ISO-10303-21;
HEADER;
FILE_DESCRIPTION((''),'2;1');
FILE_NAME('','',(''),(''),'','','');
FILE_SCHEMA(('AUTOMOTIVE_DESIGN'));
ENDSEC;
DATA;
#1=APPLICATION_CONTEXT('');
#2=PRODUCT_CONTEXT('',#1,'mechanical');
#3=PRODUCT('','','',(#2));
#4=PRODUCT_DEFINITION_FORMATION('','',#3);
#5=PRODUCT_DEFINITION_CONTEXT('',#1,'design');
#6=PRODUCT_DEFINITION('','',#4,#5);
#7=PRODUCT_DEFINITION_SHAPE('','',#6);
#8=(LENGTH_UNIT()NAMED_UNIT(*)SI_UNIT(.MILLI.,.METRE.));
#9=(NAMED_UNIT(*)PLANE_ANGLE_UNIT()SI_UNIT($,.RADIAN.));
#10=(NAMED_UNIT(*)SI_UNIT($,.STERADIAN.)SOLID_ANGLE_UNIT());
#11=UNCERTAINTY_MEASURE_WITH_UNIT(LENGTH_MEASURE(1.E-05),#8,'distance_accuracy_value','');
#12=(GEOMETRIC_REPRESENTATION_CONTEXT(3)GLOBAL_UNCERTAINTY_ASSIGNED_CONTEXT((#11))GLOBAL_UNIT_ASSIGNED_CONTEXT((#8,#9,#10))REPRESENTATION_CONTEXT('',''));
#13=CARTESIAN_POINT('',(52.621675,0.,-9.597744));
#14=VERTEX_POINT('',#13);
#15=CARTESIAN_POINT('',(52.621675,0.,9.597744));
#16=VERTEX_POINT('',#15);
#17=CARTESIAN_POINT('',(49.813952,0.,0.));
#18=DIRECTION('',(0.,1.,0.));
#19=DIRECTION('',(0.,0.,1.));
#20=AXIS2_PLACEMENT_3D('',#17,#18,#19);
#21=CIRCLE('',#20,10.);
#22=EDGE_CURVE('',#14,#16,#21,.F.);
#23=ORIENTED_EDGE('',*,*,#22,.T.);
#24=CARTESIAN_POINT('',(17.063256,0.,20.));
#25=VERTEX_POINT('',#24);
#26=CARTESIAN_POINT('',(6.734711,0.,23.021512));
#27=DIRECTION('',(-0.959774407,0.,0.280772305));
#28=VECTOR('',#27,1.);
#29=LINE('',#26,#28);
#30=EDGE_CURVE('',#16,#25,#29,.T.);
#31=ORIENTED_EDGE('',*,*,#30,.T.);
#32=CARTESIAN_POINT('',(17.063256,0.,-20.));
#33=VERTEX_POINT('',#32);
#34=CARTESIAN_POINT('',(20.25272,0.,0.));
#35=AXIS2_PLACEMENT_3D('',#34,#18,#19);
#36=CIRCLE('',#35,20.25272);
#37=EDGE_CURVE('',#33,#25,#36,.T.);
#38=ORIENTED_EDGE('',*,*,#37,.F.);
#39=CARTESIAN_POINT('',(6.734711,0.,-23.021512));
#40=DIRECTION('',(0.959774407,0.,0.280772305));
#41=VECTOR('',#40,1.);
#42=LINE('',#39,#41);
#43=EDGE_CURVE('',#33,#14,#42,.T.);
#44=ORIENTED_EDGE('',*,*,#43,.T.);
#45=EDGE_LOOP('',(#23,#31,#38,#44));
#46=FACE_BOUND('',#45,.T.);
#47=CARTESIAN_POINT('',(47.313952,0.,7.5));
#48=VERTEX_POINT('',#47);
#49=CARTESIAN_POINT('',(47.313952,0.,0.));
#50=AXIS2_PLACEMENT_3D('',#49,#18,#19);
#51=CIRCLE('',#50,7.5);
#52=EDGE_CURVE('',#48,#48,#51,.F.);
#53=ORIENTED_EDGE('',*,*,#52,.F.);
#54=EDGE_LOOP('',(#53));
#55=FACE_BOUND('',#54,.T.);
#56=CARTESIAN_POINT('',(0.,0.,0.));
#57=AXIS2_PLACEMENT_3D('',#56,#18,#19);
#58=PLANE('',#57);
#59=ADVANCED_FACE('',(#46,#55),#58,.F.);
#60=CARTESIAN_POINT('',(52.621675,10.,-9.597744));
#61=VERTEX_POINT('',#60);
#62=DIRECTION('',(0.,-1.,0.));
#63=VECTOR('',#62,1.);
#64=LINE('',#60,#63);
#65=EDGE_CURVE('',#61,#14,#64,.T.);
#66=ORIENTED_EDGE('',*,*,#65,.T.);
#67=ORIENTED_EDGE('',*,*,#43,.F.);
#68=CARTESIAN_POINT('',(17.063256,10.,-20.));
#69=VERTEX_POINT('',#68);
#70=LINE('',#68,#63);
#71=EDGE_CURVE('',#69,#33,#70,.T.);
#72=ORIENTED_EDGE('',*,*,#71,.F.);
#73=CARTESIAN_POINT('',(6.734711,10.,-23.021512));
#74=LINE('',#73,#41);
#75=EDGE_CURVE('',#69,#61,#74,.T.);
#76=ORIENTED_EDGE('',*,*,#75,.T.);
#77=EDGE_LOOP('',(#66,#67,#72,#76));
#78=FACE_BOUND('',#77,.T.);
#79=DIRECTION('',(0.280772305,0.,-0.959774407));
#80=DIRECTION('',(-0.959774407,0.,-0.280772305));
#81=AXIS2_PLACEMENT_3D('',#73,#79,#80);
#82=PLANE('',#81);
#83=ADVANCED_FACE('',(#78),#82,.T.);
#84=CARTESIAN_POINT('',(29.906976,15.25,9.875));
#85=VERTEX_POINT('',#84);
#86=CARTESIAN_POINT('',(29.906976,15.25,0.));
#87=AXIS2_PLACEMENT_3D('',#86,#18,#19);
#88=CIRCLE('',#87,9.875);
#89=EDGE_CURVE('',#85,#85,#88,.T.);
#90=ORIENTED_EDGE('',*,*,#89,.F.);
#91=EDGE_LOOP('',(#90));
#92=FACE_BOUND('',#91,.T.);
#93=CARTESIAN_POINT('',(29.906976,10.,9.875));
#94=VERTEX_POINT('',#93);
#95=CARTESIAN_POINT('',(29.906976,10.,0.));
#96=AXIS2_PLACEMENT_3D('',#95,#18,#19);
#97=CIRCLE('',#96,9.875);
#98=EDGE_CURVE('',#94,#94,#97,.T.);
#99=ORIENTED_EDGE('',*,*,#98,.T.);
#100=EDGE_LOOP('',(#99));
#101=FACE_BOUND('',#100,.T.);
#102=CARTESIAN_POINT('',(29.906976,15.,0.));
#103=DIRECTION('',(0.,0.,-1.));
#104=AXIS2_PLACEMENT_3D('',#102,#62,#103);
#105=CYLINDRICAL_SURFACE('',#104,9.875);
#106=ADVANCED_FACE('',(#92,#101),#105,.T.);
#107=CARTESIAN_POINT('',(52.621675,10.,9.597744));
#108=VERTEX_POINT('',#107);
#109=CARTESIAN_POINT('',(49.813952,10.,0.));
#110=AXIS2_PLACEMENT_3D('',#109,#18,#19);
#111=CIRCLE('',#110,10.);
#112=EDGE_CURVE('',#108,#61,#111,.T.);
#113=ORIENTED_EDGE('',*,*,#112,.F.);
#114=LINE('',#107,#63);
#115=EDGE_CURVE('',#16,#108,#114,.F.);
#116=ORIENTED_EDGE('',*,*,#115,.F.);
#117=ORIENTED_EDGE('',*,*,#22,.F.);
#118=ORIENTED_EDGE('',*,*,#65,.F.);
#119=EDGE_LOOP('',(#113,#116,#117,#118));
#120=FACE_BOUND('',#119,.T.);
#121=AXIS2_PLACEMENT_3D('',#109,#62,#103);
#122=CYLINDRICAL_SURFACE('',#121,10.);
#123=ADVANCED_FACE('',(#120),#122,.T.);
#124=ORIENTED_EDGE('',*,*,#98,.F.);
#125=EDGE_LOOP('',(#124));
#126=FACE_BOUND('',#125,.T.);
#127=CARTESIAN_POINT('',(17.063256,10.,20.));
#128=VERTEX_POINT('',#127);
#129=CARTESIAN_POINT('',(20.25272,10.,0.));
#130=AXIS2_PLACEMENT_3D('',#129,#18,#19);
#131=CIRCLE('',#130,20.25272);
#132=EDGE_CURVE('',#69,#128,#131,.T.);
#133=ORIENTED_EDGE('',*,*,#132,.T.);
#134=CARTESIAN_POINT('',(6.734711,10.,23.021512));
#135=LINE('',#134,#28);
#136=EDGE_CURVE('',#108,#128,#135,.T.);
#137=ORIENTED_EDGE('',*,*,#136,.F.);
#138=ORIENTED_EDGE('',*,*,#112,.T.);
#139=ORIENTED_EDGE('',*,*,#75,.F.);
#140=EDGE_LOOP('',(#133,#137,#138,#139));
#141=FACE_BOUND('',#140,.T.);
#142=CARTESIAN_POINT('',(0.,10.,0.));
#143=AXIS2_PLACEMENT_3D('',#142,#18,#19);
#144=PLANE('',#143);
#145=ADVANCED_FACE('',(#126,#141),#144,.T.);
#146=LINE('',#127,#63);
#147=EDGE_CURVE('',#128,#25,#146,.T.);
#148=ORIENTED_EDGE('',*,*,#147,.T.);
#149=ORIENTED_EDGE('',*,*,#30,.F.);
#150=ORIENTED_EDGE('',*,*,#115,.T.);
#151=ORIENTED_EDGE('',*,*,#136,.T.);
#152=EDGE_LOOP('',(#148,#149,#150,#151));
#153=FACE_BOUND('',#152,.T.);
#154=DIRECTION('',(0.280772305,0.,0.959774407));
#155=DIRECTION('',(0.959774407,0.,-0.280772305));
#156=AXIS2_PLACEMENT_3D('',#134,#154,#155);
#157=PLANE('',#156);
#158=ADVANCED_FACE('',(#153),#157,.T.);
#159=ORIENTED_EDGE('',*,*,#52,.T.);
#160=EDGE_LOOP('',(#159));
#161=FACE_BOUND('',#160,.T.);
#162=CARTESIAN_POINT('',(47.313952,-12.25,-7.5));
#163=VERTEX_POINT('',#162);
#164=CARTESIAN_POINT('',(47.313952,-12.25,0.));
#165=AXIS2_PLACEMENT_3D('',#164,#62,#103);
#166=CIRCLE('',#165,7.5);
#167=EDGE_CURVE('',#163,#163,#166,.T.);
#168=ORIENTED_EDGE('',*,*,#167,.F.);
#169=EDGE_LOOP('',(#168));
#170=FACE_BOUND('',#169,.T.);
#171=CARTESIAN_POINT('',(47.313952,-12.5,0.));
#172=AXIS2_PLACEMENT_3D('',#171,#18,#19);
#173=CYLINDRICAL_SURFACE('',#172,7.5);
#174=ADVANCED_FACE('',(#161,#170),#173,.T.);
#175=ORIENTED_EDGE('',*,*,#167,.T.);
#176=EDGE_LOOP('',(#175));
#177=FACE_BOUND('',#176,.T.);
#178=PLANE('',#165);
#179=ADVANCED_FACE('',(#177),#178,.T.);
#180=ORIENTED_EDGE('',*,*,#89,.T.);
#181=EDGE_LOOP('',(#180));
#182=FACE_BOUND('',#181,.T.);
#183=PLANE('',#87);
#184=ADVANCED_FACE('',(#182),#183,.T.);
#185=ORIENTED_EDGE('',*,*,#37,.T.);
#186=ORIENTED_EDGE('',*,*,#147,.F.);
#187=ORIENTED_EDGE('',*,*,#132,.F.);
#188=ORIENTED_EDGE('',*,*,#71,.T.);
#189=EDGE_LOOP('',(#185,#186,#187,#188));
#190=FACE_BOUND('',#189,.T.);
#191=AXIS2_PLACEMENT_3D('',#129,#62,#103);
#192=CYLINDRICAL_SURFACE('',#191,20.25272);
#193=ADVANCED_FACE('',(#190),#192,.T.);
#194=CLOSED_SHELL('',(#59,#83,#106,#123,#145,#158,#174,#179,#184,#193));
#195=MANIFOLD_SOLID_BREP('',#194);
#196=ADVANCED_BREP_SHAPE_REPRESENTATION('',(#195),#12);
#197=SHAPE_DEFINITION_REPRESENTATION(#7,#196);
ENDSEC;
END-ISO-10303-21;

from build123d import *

# Parameters (mm, degrees)
BOSS_EXTRUDE9_DEPTH  = 10
FILLET8_R            = 10
BOSS_EXTRUDE10_DEPTH = 5
SKETCH12_R           = 7.5
BOSS_EXTRUDE11_DEPTH = 12.5
SKETCH14_R           = 9.875
BOSS_EXTRUDE12_DEPTH = 0.25
CUT_EXTRUDE1_START   = -0.25
SKETCH15_R           = 7.5
CUT_EXTRUDE1_DEPTH   = 0.25
CUT_EXTRUDE2_START   = -12
SKETCH18_R           = 7.5
CUT_EXTRUDE2_DEPTH   = 12
SKETCH19_R           = 7.5
BOSS_EXTRUDE13_DEPTH = 12


with BuildPart() as part:
    # Sketch8 → Boss-Extrude9 (new body)
    with BuildSketch(Plane(origin=(0, 0, 0), x_dir=(1, 0, 0), z_dir=(0, 1, 0))):
        Polygon((17.063256467, 20), (17.063256467, 0), (85.43, 0), align=None)
        with BuildLine():
            ThreePointArc((17.063256467, 20), (4.845449314, 13.144910814), (0, 0))
            Line((0, 0), (17.063256467, 0))
            Line((17.063256467, 0), (17.063256467, 20))
        make_face()
        with BuildLine():
            Line((17.063256467, 0), (0, 0))
            ThreePointArc((0, 0), (4.845449314, -13.144910814), (17.063256467, -20))
            Line((17.063256467, -20), (17.063256467, 0))
        make_face()
        Polygon((85.43, 0), (17.063256467, 0), (17.063256467, -20), align=None)
    extrude(amount=BOSS_EXTRUDE9_DEPTH)

    # Fillet8
    fillet8_edges = [part.edges().sort_by_distance(p)[0] for p in [
        (85.43, 5, 0),
    ]]
    fillet(fillet8_edges, radius=FILLET8_R)

    # Sketch11 → Boss-Extrude10 (add)
    with BuildSketch(Plane(origin=(0, 10, 0), x_dir=(1, 0, 0), z_dir=(0, 1, 0))):
        with BuildLine():
            Line((20.031975788, 0), (29.906975788, 0))
            Line((29.906975788, 0), (39.781975788, 0))
            ThreePointArc((39.781975788, 0), (29.906975788, 9.875), (20.031975788, 0))
        make_face()
        with BuildLine():
            Line((39.781975788, 0), (29.906975788, 0))
            Line((29.906975788, 0), (20.031975788, 0))
            ThreePointArc((20.031975788, 0), (29.906975788, -9.875), (39.781975788, 0))
        make_face()
    extrude(amount=BOSS_EXTRUDE10_DEPTH)

    # Sketch12 → Boss-Extrude11 (add)
    with BuildSketch(Plane.XZ):
        with Locations(Location((47.313951576, 0, 0), (0, 0, 90))):
            Circle(SKETCH12_R)
    extrude(amount=BOSS_EXTRUDE11_DEPTH)

    # Sketch14 → Boss-Extrude12 (add)
    with BuildSketch(Plane(origin=(0, 15, 0), x_dir=(1, 0, 0), z_dir=(0, 1, 0))):
        with Locations(Location((29.906975788, 0, 0), (0, 0, 270))):
            Circle(SKETCH14_R)
    extrude(amount=BOSS_EXTRUDE12_DEPTH)

    # Sketch15 → Cut-Extrude1 (cut)
    with BuildSketch(Plane.XZ.offset(12.5).offset(CUT_EXTRUDE1_START)):
        with Locations(Location((47.313951576, 0, 0), (0, 0, 90))):
            Circle(SKETCH15_R)
    extrude(amount=CUT_EXTRUDE1_DEPTH, mode=Mode.SUBTRACT)

    # Sketch18 → Cut-Extrude2 (cut)
    with BuildSketch(Plane.XZ.offset(12.25).offset(CUT_EXTRUDE2_START)):
        with Locations(Location((47.313951576, 0, 0), (0, 0, 90))):
            Circle(SKETCH18_R)
    extrude(amount=CUT_EXTRUDE2_DEPTH, mode=Mode.SUBTRACT)

    # Sketch19 → Boss-Extrude13 (add)
    with BuildSketch(Plane.XZ.offset(0.25)):
        with Locations(Location((47.313951576, 0, 0), (0, 0, 90))):
            Circle(SKETCH19_R)
    extrude(amount=BOSS_EXTRUDE13_DEPTH)


solid = part.part
